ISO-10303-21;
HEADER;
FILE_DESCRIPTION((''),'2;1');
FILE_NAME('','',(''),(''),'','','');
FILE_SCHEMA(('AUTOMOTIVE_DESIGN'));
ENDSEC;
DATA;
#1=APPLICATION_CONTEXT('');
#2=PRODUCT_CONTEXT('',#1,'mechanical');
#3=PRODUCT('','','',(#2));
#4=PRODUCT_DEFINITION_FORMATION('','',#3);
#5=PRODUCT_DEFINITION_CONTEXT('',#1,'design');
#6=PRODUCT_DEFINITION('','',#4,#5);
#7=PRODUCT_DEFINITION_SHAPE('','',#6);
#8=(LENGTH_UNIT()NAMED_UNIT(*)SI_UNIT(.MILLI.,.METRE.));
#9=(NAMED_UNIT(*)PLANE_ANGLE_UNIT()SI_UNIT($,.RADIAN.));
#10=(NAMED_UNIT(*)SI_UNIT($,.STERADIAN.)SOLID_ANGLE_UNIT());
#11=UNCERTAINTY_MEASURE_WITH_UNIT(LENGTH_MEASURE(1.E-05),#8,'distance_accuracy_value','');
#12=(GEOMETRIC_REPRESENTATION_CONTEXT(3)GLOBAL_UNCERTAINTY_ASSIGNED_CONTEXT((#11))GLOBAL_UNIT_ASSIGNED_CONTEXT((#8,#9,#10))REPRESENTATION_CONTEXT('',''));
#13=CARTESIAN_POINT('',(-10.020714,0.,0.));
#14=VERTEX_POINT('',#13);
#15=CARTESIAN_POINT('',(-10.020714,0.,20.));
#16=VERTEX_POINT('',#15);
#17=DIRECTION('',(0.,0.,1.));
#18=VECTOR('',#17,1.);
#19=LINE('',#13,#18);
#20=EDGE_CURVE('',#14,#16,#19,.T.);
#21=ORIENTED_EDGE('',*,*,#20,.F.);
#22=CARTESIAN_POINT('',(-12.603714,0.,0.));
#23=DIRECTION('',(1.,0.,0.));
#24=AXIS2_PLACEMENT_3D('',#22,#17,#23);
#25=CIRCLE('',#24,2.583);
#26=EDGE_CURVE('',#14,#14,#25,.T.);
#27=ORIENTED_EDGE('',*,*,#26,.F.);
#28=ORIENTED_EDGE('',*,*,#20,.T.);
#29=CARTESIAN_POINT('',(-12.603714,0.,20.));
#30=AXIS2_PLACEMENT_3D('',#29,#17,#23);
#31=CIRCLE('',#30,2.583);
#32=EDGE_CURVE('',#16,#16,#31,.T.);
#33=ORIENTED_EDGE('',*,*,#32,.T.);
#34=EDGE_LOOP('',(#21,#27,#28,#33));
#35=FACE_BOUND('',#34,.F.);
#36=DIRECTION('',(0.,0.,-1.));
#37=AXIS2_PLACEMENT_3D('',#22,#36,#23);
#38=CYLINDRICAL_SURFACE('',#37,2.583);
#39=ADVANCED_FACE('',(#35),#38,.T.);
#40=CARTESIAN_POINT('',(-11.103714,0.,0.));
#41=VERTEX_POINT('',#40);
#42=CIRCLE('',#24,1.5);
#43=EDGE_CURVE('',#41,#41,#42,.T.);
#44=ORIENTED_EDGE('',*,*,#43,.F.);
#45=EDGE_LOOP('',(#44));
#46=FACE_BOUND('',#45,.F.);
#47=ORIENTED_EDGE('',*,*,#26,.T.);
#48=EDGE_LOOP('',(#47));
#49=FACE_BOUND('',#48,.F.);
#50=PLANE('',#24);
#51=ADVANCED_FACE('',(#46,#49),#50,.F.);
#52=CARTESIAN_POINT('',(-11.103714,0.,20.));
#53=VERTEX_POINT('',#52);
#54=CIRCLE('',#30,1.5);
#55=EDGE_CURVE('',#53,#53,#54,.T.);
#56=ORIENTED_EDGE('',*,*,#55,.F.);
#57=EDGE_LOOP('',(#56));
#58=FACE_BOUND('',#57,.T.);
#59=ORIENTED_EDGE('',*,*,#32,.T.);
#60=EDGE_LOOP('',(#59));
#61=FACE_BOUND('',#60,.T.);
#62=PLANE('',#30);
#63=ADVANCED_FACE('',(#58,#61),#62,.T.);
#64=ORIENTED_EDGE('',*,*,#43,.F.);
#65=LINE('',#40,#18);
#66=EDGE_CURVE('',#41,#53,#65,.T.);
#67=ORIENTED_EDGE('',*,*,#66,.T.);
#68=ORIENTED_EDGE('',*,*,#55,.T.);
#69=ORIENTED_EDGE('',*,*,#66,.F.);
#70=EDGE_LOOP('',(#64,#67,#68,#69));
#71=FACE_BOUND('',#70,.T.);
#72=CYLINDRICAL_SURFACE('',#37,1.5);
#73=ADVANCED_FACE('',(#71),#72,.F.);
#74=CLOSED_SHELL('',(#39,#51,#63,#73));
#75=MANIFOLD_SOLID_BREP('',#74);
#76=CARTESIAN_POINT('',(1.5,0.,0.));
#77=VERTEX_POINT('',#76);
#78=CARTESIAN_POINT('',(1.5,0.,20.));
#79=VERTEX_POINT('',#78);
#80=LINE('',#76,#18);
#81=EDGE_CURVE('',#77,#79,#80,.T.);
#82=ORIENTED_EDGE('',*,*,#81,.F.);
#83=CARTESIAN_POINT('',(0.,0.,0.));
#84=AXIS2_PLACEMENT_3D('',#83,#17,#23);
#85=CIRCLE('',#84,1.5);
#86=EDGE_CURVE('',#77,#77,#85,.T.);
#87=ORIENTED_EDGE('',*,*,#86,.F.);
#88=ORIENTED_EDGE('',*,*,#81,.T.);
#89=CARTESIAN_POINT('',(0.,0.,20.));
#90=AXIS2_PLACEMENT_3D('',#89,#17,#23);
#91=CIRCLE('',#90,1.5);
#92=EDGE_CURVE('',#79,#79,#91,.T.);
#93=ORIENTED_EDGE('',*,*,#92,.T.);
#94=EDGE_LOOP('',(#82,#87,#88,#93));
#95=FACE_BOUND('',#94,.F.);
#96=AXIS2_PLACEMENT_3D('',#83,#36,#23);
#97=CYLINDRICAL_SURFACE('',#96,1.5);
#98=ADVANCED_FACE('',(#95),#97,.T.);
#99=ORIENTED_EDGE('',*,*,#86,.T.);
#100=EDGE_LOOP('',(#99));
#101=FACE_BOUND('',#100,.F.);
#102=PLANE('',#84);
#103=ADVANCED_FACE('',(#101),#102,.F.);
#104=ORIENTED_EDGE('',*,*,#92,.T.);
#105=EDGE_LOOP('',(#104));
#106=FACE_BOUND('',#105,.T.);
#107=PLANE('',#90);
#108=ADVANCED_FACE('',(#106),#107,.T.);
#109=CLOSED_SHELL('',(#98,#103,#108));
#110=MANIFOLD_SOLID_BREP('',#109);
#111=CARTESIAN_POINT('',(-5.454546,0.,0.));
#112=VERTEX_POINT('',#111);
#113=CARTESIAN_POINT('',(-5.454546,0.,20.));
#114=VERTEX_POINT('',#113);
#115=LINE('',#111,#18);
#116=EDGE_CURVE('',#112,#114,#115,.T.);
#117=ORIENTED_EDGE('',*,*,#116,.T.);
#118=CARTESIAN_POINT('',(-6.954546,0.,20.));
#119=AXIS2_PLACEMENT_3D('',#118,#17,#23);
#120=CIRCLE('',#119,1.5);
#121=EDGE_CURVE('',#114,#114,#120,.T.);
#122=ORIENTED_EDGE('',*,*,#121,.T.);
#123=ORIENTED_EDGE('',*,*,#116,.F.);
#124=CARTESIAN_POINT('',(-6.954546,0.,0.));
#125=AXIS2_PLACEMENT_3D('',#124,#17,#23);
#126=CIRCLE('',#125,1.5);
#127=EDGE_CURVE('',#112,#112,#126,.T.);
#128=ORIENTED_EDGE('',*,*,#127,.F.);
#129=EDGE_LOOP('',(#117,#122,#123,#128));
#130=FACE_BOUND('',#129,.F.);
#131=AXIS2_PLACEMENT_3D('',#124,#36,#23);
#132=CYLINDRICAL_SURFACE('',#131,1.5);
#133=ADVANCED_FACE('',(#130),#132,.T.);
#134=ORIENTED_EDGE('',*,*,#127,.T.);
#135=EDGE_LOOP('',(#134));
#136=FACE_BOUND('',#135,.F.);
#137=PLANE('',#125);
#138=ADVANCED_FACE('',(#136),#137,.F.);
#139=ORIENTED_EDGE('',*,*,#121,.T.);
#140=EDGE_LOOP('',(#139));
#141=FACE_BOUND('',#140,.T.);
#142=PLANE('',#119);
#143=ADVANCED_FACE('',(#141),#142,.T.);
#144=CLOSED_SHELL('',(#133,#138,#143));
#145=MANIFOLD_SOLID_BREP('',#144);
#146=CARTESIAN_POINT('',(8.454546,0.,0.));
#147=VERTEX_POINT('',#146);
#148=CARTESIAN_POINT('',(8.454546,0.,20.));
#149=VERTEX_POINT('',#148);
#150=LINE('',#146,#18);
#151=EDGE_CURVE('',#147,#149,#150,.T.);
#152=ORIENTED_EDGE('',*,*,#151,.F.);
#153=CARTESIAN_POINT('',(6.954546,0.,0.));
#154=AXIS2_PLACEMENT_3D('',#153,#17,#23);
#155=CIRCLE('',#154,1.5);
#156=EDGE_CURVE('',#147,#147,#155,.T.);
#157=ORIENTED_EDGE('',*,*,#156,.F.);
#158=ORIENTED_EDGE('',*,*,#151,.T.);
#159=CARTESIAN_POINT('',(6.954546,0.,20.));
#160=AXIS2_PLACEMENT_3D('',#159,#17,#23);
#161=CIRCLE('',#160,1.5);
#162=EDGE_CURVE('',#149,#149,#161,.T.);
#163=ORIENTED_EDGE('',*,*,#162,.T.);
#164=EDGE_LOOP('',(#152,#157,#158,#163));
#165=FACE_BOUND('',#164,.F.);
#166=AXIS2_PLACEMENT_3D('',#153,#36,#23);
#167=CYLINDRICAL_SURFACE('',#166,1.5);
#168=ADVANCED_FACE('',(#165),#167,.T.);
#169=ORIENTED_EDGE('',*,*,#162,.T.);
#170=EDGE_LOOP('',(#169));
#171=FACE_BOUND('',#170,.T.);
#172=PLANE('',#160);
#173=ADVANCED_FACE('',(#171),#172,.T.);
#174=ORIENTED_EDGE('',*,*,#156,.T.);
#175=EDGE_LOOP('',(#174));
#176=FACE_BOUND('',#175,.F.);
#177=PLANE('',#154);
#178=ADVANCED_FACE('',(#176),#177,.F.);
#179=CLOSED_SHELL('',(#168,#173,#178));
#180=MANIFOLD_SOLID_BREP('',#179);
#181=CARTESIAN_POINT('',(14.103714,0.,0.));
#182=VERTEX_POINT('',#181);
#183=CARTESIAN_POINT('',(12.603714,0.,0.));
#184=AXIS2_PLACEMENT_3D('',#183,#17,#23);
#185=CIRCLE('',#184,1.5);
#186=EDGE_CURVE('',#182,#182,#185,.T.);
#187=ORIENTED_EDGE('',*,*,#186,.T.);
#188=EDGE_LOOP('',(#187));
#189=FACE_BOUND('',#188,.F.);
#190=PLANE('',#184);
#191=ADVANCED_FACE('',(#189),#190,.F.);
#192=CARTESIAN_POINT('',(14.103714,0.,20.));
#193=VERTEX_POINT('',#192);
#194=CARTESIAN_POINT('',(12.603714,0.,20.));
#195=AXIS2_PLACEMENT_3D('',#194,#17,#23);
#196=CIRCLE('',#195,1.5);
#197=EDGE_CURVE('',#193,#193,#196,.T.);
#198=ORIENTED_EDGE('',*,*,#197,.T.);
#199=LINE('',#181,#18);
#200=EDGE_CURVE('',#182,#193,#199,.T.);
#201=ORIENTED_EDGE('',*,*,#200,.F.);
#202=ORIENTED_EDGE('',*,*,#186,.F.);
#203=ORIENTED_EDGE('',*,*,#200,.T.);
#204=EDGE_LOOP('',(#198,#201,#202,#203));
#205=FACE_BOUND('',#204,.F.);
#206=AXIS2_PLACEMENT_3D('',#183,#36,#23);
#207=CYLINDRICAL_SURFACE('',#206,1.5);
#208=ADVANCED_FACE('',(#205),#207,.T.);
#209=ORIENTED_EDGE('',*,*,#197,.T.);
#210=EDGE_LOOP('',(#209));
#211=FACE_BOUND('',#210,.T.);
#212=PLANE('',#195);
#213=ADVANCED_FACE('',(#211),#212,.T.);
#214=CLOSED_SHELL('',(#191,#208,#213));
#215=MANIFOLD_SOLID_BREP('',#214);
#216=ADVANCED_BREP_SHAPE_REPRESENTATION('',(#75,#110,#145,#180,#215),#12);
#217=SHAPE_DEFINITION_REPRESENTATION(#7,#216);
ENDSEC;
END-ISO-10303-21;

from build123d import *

# Parameters (mm, degrees)
F0_R     = 1.5
F0_R_2   = 2.583
F1_DEPTH = 20


with BuildPart() as f1:
    # F0 (on Top) → F1 (new body)
    with BuildSketch(Plane.XY):
        Circle(F0_R)
        with Locations((6.954546, 0)):
            Circle(F0_R)
        with Locations((12.603714, 0)):
            Circle(F0_R)
        with Locations((-6.954546, 0)):
            Circle(F0_R)
        with Locations((-12.603714, 0)):
            Circle(F0_R_2)
        with Locations((-12.603714, 0)):
            Circle(F0_R, mode=Mode.SUBTRACT)
    extrude(amount=F1_DEPTH)


solid = f1.part
